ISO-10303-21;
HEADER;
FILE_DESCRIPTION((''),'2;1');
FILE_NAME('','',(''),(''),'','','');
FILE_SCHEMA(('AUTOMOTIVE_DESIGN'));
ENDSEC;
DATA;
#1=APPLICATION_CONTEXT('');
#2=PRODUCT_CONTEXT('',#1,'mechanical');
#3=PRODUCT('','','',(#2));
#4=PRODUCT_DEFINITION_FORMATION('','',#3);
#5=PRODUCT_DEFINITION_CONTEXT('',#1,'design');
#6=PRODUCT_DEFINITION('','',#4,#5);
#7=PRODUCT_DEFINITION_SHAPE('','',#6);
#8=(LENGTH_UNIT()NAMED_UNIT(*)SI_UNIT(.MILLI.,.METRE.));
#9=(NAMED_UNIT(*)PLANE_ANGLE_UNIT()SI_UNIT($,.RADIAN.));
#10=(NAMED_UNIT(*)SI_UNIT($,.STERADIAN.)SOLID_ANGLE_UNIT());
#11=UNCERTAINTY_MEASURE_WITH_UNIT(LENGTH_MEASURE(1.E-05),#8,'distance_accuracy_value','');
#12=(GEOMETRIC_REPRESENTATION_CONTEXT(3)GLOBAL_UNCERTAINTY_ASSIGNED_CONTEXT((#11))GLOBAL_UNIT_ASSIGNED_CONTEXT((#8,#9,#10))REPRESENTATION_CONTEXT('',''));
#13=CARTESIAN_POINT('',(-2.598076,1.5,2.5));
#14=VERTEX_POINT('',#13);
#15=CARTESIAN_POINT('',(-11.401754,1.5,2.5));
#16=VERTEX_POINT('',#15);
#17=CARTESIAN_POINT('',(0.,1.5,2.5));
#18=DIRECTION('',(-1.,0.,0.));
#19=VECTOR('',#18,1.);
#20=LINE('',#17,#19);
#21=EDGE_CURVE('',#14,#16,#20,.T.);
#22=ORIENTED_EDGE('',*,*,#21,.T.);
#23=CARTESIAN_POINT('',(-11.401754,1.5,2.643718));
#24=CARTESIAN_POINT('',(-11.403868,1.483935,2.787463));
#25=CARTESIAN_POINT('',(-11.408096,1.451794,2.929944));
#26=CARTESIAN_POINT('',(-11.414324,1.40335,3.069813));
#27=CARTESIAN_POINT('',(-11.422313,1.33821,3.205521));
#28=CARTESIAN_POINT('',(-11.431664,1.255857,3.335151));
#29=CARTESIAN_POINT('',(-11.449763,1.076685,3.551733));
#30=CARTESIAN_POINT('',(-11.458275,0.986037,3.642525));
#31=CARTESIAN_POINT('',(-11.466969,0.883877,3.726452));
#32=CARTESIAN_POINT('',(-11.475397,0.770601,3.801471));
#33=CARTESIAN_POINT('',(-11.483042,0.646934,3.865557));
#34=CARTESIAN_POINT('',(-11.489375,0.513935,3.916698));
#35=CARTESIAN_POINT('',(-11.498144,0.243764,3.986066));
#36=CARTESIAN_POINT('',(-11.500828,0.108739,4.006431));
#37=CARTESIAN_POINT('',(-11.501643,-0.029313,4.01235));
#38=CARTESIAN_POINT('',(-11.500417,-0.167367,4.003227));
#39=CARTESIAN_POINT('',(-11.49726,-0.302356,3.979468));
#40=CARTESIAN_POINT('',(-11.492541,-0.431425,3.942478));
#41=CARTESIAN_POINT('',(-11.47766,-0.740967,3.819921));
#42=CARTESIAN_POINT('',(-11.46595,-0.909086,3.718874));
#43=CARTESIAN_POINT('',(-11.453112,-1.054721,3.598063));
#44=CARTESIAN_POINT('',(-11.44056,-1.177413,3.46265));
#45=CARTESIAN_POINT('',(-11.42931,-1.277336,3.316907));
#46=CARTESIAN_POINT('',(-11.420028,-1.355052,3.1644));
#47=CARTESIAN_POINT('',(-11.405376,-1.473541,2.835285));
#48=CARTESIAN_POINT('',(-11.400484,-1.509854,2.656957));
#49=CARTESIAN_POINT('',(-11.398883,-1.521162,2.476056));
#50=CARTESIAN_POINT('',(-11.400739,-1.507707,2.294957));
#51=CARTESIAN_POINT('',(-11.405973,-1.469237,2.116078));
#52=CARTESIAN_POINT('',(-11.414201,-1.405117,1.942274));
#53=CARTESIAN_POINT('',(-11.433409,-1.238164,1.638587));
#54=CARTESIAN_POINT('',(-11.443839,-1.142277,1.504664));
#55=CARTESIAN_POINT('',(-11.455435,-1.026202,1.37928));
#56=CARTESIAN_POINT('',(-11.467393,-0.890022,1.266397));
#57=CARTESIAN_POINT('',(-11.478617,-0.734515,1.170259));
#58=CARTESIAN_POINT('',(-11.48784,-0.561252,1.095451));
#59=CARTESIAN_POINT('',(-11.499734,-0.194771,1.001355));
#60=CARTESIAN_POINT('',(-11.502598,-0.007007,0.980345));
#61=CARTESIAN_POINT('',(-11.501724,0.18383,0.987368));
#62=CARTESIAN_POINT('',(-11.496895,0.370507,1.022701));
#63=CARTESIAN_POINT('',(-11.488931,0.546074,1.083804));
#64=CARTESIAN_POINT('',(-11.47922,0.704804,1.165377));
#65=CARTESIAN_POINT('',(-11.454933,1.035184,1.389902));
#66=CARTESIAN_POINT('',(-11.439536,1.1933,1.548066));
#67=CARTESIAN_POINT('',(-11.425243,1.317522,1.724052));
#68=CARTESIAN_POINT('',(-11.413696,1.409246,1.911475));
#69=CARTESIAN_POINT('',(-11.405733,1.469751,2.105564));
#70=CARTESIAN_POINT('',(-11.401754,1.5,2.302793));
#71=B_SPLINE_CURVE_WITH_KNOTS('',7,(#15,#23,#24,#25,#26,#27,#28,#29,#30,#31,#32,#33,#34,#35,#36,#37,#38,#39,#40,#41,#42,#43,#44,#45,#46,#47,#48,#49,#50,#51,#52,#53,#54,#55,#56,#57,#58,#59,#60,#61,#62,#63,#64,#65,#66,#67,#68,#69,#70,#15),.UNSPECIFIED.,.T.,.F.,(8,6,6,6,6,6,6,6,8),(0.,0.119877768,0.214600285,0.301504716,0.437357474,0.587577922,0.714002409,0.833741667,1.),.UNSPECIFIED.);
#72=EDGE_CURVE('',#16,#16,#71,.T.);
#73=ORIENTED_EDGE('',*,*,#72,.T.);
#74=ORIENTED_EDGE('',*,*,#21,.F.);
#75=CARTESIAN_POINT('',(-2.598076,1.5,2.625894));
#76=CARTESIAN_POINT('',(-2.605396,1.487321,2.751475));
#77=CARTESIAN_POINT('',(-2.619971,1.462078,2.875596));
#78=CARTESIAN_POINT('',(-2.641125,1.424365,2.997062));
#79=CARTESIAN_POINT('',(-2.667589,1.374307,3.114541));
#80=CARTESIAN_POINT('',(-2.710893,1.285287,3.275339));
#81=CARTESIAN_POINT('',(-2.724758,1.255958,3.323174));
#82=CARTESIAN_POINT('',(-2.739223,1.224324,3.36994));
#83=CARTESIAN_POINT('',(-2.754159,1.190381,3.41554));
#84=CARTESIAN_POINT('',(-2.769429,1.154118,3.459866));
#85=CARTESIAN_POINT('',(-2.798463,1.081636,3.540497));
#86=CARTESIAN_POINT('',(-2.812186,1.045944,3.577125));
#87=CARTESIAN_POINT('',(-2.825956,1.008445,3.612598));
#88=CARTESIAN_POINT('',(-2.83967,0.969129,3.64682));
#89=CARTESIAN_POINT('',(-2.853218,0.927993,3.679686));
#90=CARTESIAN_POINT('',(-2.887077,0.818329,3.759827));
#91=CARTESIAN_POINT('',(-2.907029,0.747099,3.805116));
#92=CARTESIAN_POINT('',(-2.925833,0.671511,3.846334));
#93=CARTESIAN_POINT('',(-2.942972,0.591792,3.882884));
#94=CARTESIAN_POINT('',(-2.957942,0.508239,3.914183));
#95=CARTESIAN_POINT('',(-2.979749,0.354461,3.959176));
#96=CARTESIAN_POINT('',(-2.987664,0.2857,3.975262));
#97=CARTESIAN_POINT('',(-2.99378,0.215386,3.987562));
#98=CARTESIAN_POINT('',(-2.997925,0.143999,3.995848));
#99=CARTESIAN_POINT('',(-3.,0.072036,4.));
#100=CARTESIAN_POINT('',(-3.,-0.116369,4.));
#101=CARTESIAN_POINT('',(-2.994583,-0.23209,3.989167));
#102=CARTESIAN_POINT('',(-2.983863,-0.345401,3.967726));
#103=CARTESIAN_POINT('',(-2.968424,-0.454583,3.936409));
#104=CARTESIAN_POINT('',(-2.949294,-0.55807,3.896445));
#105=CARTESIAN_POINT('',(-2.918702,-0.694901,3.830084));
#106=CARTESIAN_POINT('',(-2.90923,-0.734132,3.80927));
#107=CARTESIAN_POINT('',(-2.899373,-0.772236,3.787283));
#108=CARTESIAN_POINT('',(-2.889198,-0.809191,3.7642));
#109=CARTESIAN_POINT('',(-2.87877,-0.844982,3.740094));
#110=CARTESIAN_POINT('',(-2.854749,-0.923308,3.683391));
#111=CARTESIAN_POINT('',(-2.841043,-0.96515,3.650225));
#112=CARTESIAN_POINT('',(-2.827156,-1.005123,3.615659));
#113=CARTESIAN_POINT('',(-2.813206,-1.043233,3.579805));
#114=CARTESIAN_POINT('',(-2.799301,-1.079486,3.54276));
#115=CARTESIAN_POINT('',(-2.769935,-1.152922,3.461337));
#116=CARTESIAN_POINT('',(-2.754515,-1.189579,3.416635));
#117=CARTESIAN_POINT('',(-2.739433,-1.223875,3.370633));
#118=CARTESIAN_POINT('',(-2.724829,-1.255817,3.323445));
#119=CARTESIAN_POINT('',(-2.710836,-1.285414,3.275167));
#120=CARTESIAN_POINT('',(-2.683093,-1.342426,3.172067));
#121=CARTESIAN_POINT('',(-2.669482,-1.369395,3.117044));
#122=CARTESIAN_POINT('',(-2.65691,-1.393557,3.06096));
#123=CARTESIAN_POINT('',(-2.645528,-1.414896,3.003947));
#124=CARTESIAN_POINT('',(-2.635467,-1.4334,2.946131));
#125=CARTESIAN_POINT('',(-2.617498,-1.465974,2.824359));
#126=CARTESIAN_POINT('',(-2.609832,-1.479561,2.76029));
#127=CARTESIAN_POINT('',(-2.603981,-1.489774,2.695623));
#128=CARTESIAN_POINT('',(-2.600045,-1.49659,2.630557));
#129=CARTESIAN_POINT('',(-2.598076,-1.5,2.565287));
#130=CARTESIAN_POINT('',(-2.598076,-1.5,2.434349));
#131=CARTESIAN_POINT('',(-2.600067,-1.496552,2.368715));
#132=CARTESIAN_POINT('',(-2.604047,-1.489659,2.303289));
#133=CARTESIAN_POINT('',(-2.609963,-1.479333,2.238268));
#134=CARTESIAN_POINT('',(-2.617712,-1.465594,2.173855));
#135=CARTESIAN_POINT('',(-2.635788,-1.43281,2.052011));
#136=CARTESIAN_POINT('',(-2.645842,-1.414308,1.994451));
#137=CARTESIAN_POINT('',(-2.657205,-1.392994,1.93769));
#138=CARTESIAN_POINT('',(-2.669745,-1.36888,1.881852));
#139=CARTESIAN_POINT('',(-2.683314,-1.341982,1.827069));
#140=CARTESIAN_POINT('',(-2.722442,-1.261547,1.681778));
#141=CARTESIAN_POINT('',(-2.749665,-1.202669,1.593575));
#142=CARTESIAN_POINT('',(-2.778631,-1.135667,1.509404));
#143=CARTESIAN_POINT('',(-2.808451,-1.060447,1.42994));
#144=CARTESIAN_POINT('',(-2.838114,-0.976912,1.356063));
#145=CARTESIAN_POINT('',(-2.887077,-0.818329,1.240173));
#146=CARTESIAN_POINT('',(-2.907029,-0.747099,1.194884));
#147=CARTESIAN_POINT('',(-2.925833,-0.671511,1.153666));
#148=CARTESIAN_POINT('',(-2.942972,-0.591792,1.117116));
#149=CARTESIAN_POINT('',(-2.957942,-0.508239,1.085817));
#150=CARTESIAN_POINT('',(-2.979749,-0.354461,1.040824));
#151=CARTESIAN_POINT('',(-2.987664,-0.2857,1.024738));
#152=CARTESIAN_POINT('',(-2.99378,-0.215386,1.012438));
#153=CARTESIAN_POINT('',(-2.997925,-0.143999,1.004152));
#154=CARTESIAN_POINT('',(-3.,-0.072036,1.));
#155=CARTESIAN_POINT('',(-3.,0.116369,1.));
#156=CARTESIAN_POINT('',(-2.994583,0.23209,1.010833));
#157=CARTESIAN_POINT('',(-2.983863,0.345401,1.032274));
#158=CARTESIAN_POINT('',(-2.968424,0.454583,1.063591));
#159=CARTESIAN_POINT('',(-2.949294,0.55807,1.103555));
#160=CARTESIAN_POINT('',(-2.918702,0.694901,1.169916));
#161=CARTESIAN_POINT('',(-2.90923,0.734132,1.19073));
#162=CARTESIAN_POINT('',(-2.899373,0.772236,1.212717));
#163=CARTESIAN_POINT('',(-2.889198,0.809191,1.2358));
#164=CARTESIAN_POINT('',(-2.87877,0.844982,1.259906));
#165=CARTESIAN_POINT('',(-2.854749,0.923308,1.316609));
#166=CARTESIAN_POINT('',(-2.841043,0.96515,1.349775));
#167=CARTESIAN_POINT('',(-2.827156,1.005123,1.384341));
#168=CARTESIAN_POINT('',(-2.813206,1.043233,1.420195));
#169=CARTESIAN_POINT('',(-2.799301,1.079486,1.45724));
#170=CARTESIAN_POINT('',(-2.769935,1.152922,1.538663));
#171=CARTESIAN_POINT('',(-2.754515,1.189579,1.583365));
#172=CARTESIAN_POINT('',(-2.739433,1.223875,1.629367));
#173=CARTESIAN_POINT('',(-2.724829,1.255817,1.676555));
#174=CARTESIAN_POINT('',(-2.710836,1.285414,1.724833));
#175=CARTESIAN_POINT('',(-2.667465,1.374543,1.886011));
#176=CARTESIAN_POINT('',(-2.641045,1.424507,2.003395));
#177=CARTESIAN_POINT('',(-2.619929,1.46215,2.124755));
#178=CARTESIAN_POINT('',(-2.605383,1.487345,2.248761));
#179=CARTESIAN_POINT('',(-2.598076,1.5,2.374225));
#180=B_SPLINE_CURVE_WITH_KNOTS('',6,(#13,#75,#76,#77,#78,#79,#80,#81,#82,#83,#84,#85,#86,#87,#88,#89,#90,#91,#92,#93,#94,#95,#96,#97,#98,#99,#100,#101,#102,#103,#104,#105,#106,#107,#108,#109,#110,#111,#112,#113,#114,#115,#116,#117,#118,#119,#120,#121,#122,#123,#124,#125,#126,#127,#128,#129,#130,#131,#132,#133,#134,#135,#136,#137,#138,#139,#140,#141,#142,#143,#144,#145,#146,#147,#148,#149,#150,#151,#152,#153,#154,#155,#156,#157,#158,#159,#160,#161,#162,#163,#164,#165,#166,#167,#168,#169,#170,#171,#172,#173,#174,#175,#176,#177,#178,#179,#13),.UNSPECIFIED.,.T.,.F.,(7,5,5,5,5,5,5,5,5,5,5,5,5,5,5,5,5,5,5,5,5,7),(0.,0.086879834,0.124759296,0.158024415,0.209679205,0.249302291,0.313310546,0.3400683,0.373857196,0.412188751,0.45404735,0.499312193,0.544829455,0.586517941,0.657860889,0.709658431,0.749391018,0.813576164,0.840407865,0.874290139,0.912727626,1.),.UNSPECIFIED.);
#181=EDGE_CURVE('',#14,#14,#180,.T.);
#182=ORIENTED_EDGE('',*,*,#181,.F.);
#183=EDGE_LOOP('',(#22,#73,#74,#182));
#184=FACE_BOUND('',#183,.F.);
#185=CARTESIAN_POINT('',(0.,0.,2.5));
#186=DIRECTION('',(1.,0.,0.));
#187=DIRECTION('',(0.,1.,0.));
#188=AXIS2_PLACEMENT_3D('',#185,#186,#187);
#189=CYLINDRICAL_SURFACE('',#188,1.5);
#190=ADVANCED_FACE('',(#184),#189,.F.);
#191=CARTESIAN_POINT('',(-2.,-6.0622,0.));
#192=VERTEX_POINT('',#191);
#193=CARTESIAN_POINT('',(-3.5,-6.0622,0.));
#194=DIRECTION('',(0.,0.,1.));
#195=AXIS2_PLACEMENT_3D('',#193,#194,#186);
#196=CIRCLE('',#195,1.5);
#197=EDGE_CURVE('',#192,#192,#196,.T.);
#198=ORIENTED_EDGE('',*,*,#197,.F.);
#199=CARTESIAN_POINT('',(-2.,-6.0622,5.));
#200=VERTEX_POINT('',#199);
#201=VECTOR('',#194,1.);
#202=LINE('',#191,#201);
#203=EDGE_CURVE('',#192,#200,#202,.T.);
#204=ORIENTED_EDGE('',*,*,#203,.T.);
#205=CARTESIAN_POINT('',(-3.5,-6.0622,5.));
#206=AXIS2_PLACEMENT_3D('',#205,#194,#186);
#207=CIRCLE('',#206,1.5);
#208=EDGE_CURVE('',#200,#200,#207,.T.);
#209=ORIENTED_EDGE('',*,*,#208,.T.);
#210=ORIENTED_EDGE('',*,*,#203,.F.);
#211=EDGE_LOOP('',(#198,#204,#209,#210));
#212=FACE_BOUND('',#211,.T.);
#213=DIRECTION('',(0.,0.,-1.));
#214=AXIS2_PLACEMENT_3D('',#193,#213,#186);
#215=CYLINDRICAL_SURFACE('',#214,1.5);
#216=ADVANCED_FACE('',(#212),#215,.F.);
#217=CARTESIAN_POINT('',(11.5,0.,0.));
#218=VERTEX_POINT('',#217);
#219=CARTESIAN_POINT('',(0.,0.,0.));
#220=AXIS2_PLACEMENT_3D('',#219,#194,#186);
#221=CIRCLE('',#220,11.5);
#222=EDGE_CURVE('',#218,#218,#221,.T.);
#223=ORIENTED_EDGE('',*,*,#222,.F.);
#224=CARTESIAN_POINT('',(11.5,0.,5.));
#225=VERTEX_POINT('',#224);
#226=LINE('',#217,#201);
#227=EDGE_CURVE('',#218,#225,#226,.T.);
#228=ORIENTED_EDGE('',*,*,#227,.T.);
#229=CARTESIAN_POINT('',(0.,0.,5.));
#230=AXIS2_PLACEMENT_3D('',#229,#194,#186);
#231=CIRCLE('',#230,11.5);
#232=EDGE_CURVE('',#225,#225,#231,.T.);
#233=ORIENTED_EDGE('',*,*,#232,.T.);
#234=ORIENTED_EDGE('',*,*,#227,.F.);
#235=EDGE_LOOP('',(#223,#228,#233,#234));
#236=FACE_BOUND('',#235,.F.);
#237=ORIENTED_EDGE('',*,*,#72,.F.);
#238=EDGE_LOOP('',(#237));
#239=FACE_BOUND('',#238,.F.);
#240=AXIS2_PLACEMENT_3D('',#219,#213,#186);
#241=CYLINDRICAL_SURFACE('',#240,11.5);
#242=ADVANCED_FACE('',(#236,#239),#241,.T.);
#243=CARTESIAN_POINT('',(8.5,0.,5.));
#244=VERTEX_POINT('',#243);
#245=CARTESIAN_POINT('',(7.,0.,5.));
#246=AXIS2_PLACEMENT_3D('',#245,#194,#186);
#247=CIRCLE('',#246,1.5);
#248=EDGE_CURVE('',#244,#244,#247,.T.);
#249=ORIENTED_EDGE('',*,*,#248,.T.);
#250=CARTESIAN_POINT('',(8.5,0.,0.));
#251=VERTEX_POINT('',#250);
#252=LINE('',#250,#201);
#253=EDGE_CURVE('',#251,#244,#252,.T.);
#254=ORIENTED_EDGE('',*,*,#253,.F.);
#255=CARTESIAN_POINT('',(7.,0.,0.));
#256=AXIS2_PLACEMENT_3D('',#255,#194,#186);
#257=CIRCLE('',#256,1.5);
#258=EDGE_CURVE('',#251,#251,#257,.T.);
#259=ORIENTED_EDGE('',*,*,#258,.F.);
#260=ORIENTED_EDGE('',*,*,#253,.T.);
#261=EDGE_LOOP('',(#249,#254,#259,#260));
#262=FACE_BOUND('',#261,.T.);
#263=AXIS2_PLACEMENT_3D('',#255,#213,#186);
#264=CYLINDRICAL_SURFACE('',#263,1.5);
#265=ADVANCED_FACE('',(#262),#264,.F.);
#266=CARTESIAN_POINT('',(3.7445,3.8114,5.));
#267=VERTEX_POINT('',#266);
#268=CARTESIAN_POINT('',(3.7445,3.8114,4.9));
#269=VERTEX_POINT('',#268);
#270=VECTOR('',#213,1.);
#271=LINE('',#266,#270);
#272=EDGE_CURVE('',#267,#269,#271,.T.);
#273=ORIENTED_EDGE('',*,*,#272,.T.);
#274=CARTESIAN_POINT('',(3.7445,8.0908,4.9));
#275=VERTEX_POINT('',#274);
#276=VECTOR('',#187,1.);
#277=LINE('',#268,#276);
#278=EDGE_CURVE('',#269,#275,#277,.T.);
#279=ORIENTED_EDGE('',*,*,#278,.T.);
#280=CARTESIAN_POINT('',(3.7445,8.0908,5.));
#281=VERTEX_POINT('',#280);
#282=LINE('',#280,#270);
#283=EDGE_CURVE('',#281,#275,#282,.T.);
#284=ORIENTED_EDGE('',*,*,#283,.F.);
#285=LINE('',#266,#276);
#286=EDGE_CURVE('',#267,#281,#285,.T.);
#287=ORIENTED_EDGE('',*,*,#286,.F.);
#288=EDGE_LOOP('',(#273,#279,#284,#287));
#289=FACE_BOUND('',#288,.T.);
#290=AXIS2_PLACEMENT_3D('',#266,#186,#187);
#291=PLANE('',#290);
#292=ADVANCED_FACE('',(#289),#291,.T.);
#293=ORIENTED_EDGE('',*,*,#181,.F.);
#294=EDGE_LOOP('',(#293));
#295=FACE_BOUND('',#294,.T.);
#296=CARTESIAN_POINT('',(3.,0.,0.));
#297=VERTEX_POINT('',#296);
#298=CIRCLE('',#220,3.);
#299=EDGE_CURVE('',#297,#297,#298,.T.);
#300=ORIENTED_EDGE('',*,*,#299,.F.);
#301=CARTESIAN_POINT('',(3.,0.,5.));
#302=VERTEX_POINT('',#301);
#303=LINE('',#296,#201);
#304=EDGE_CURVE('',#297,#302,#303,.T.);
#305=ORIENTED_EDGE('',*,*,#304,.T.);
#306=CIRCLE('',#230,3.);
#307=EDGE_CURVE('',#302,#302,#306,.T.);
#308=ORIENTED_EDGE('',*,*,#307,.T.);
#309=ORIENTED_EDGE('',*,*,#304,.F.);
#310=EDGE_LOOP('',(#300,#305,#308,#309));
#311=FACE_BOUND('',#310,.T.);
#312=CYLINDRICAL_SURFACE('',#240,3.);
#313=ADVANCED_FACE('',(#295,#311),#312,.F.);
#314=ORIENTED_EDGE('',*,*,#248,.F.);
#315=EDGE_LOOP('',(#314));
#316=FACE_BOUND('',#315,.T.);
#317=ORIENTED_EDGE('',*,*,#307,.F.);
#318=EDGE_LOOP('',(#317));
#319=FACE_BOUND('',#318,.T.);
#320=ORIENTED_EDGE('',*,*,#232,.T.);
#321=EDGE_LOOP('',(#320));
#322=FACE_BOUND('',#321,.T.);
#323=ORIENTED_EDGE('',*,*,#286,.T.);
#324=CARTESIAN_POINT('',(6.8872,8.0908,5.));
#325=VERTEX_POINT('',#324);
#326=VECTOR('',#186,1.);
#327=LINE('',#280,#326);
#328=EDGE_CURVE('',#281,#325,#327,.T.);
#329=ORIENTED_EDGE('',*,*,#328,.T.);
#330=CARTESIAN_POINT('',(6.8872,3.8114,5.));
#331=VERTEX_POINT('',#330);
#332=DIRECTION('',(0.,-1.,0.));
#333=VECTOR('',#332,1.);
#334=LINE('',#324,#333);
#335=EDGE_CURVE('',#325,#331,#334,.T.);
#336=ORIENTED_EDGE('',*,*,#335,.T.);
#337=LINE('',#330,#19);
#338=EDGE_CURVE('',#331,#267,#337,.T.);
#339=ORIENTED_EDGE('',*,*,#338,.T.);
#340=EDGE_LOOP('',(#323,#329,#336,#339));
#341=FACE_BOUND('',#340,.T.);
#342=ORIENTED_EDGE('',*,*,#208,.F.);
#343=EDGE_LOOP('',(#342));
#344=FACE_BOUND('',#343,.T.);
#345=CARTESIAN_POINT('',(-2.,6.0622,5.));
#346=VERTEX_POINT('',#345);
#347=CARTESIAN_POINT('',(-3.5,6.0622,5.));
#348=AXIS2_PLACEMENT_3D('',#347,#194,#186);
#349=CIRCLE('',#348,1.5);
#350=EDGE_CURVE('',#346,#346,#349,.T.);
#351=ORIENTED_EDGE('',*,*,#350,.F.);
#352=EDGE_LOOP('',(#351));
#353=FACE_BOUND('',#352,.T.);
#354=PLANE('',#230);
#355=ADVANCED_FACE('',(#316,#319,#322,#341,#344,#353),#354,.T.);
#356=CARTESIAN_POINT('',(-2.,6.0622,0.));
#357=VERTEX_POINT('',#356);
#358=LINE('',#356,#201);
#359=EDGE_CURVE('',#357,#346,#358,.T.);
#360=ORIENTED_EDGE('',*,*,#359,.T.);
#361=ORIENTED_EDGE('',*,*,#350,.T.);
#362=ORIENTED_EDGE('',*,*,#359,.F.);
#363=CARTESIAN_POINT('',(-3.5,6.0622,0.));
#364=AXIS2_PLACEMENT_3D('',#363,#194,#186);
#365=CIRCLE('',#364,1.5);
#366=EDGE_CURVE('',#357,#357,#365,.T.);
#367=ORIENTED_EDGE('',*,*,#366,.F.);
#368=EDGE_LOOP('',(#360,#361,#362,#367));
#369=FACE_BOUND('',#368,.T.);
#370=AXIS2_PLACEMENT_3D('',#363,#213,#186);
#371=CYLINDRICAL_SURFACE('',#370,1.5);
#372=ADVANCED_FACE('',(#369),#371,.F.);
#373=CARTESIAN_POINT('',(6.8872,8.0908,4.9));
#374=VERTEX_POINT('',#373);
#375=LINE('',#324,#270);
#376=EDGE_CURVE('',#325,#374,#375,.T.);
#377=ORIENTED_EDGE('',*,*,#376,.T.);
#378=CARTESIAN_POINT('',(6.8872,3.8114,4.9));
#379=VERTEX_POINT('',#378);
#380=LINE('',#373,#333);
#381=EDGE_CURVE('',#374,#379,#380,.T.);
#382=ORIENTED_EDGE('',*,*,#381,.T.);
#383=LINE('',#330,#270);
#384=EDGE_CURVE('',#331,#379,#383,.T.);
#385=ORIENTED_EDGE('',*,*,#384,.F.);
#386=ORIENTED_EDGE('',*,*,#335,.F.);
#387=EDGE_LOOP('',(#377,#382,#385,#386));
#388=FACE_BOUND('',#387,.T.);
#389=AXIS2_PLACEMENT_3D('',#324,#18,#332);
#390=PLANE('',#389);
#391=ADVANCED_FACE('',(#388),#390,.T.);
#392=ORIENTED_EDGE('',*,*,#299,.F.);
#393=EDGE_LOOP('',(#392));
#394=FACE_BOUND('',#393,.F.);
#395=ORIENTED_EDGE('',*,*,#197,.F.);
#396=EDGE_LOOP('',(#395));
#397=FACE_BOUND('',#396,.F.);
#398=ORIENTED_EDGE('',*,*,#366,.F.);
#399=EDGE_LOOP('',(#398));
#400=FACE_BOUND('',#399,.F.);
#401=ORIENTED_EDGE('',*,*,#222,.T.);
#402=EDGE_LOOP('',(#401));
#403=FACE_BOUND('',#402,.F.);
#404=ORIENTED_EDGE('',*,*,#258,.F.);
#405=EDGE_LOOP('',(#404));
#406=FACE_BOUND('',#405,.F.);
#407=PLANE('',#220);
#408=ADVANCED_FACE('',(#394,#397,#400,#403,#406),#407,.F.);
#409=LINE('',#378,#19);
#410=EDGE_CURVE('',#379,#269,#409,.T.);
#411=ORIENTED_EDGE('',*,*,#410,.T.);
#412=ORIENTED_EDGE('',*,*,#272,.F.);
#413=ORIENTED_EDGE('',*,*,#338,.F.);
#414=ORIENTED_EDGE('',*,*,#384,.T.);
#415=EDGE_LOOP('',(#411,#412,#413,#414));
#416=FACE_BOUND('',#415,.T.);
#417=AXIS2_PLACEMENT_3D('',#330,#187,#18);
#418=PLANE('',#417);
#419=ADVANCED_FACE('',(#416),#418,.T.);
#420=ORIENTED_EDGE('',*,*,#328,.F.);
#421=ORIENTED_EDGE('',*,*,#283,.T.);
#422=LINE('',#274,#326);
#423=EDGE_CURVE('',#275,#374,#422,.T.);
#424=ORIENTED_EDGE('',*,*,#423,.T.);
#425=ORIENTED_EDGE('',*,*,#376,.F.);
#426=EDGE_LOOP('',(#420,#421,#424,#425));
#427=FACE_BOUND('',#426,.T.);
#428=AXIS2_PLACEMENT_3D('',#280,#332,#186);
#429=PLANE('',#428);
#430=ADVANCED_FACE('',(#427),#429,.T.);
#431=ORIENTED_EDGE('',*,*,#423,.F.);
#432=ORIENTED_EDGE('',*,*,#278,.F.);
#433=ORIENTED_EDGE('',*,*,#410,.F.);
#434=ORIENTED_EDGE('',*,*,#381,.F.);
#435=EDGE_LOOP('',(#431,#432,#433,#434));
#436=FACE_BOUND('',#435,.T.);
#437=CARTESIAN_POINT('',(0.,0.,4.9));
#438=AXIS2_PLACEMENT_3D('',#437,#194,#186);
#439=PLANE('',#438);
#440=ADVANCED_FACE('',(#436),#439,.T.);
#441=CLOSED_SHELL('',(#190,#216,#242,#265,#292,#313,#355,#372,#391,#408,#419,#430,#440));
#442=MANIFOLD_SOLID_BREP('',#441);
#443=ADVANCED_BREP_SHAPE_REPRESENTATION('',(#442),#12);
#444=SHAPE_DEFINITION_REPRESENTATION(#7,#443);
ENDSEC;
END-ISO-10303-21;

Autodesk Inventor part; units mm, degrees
ref_plane "YZ Plane" through (0, 0, 0) normal (1, 0, 0) x (0, 1, 0)
ref_plane "XZ Plane" through (0, 0, 0) normal (0, 1, 0) x (-1, 0, 0)
ref_plane "XY Plane" through (0, 0, 0) normal (0, 0, 1) x (1, 0, 0)
sketch "Sketch3" plane through (0, 0, 0) normal (0, 0, 1) x (1, 0, 0)
  circle A0 centre (0, 0) radius 11.5
  circle A1 centre (0, 0) radius 3
  circle A2 centre (7, 0) radius 1.5
  circle A3 centre (3.5, 6.0622) radius 1.5
  circle A4 centre (-3.5, 6.0622) radius 1.5
  circle A5 centre (-7, 0) radius 1.5
  circle A6 centre (-3.5, -6.0622) radius 1.5
  circle A7 centre (3.5, -6.0622) radius 1.5
  dimension "d0" = 23
  dimension "d1" = 6
  dimension "d4" = 3
  dimension "d5" = 7
  dimension "d12" = 360
extrude "Extrusion1" add sketch "Sketch3" along normal blind 5 contours A0 | A3 | A5 | A7
sketch "Sketch4" plane through (0, 0, 0) normal (1, 0, 0) x (0, 1, 0)
  line L0 (-11.5, 0) -> (11.5, 0) projected
  line L1 (-3, 5) -> (3, 5) projected
  line L2 (3, 0) -> (-3, 0) projected
  circle A0 centre (0, 2.5) radius 1.5
  line L3 (3, 0) -> (3, 5) projected
  point P0 (0, 0)
  point P1 (0, 0)
  point P2 (3, 2.5)
  dimension "d14" = 3
extrude "Extrusion2" cut sketch "Sketch4" against normal through all
thread "Thread1" size "M3x0.5" class "6H" standard "ANSI Metric M Profile" full length
thread "Thread2" size "M3x0.5" class "6H" standard "ANSI Metric M Profile" full length
thread "Thread3" size "M3x0.5" class "6H" standard "ANSI Metric M Profile" full length
thread "Thread4" size "M3x0.5" class "6H" standard "ANSI Metric M Profile" full length
sketch "Sketch5" plane through (0, 0, 5) normal (0, 0, 1) x (1, 0, 0)
  line L0 (3.7445, 8.0908) -> (6.8872, 8.0908)
  line L1 (6.8872, 8.0908) -> (6.8872, 3.8114)
  line L2 (6.8872, 3.8114) -> (3.7445, 3.8114)
  line L3 (3.7445, 3.8114) -> (3.7445, 8.0908)
  point P0 (0, 0)
extrude "Extrusion3" cut sketch "Sketch5" against normal blind 0.1
equation "\"d15\" = d14"
properties part number "6mm Mounting Hub, thin" material "Aluminum 6061"
